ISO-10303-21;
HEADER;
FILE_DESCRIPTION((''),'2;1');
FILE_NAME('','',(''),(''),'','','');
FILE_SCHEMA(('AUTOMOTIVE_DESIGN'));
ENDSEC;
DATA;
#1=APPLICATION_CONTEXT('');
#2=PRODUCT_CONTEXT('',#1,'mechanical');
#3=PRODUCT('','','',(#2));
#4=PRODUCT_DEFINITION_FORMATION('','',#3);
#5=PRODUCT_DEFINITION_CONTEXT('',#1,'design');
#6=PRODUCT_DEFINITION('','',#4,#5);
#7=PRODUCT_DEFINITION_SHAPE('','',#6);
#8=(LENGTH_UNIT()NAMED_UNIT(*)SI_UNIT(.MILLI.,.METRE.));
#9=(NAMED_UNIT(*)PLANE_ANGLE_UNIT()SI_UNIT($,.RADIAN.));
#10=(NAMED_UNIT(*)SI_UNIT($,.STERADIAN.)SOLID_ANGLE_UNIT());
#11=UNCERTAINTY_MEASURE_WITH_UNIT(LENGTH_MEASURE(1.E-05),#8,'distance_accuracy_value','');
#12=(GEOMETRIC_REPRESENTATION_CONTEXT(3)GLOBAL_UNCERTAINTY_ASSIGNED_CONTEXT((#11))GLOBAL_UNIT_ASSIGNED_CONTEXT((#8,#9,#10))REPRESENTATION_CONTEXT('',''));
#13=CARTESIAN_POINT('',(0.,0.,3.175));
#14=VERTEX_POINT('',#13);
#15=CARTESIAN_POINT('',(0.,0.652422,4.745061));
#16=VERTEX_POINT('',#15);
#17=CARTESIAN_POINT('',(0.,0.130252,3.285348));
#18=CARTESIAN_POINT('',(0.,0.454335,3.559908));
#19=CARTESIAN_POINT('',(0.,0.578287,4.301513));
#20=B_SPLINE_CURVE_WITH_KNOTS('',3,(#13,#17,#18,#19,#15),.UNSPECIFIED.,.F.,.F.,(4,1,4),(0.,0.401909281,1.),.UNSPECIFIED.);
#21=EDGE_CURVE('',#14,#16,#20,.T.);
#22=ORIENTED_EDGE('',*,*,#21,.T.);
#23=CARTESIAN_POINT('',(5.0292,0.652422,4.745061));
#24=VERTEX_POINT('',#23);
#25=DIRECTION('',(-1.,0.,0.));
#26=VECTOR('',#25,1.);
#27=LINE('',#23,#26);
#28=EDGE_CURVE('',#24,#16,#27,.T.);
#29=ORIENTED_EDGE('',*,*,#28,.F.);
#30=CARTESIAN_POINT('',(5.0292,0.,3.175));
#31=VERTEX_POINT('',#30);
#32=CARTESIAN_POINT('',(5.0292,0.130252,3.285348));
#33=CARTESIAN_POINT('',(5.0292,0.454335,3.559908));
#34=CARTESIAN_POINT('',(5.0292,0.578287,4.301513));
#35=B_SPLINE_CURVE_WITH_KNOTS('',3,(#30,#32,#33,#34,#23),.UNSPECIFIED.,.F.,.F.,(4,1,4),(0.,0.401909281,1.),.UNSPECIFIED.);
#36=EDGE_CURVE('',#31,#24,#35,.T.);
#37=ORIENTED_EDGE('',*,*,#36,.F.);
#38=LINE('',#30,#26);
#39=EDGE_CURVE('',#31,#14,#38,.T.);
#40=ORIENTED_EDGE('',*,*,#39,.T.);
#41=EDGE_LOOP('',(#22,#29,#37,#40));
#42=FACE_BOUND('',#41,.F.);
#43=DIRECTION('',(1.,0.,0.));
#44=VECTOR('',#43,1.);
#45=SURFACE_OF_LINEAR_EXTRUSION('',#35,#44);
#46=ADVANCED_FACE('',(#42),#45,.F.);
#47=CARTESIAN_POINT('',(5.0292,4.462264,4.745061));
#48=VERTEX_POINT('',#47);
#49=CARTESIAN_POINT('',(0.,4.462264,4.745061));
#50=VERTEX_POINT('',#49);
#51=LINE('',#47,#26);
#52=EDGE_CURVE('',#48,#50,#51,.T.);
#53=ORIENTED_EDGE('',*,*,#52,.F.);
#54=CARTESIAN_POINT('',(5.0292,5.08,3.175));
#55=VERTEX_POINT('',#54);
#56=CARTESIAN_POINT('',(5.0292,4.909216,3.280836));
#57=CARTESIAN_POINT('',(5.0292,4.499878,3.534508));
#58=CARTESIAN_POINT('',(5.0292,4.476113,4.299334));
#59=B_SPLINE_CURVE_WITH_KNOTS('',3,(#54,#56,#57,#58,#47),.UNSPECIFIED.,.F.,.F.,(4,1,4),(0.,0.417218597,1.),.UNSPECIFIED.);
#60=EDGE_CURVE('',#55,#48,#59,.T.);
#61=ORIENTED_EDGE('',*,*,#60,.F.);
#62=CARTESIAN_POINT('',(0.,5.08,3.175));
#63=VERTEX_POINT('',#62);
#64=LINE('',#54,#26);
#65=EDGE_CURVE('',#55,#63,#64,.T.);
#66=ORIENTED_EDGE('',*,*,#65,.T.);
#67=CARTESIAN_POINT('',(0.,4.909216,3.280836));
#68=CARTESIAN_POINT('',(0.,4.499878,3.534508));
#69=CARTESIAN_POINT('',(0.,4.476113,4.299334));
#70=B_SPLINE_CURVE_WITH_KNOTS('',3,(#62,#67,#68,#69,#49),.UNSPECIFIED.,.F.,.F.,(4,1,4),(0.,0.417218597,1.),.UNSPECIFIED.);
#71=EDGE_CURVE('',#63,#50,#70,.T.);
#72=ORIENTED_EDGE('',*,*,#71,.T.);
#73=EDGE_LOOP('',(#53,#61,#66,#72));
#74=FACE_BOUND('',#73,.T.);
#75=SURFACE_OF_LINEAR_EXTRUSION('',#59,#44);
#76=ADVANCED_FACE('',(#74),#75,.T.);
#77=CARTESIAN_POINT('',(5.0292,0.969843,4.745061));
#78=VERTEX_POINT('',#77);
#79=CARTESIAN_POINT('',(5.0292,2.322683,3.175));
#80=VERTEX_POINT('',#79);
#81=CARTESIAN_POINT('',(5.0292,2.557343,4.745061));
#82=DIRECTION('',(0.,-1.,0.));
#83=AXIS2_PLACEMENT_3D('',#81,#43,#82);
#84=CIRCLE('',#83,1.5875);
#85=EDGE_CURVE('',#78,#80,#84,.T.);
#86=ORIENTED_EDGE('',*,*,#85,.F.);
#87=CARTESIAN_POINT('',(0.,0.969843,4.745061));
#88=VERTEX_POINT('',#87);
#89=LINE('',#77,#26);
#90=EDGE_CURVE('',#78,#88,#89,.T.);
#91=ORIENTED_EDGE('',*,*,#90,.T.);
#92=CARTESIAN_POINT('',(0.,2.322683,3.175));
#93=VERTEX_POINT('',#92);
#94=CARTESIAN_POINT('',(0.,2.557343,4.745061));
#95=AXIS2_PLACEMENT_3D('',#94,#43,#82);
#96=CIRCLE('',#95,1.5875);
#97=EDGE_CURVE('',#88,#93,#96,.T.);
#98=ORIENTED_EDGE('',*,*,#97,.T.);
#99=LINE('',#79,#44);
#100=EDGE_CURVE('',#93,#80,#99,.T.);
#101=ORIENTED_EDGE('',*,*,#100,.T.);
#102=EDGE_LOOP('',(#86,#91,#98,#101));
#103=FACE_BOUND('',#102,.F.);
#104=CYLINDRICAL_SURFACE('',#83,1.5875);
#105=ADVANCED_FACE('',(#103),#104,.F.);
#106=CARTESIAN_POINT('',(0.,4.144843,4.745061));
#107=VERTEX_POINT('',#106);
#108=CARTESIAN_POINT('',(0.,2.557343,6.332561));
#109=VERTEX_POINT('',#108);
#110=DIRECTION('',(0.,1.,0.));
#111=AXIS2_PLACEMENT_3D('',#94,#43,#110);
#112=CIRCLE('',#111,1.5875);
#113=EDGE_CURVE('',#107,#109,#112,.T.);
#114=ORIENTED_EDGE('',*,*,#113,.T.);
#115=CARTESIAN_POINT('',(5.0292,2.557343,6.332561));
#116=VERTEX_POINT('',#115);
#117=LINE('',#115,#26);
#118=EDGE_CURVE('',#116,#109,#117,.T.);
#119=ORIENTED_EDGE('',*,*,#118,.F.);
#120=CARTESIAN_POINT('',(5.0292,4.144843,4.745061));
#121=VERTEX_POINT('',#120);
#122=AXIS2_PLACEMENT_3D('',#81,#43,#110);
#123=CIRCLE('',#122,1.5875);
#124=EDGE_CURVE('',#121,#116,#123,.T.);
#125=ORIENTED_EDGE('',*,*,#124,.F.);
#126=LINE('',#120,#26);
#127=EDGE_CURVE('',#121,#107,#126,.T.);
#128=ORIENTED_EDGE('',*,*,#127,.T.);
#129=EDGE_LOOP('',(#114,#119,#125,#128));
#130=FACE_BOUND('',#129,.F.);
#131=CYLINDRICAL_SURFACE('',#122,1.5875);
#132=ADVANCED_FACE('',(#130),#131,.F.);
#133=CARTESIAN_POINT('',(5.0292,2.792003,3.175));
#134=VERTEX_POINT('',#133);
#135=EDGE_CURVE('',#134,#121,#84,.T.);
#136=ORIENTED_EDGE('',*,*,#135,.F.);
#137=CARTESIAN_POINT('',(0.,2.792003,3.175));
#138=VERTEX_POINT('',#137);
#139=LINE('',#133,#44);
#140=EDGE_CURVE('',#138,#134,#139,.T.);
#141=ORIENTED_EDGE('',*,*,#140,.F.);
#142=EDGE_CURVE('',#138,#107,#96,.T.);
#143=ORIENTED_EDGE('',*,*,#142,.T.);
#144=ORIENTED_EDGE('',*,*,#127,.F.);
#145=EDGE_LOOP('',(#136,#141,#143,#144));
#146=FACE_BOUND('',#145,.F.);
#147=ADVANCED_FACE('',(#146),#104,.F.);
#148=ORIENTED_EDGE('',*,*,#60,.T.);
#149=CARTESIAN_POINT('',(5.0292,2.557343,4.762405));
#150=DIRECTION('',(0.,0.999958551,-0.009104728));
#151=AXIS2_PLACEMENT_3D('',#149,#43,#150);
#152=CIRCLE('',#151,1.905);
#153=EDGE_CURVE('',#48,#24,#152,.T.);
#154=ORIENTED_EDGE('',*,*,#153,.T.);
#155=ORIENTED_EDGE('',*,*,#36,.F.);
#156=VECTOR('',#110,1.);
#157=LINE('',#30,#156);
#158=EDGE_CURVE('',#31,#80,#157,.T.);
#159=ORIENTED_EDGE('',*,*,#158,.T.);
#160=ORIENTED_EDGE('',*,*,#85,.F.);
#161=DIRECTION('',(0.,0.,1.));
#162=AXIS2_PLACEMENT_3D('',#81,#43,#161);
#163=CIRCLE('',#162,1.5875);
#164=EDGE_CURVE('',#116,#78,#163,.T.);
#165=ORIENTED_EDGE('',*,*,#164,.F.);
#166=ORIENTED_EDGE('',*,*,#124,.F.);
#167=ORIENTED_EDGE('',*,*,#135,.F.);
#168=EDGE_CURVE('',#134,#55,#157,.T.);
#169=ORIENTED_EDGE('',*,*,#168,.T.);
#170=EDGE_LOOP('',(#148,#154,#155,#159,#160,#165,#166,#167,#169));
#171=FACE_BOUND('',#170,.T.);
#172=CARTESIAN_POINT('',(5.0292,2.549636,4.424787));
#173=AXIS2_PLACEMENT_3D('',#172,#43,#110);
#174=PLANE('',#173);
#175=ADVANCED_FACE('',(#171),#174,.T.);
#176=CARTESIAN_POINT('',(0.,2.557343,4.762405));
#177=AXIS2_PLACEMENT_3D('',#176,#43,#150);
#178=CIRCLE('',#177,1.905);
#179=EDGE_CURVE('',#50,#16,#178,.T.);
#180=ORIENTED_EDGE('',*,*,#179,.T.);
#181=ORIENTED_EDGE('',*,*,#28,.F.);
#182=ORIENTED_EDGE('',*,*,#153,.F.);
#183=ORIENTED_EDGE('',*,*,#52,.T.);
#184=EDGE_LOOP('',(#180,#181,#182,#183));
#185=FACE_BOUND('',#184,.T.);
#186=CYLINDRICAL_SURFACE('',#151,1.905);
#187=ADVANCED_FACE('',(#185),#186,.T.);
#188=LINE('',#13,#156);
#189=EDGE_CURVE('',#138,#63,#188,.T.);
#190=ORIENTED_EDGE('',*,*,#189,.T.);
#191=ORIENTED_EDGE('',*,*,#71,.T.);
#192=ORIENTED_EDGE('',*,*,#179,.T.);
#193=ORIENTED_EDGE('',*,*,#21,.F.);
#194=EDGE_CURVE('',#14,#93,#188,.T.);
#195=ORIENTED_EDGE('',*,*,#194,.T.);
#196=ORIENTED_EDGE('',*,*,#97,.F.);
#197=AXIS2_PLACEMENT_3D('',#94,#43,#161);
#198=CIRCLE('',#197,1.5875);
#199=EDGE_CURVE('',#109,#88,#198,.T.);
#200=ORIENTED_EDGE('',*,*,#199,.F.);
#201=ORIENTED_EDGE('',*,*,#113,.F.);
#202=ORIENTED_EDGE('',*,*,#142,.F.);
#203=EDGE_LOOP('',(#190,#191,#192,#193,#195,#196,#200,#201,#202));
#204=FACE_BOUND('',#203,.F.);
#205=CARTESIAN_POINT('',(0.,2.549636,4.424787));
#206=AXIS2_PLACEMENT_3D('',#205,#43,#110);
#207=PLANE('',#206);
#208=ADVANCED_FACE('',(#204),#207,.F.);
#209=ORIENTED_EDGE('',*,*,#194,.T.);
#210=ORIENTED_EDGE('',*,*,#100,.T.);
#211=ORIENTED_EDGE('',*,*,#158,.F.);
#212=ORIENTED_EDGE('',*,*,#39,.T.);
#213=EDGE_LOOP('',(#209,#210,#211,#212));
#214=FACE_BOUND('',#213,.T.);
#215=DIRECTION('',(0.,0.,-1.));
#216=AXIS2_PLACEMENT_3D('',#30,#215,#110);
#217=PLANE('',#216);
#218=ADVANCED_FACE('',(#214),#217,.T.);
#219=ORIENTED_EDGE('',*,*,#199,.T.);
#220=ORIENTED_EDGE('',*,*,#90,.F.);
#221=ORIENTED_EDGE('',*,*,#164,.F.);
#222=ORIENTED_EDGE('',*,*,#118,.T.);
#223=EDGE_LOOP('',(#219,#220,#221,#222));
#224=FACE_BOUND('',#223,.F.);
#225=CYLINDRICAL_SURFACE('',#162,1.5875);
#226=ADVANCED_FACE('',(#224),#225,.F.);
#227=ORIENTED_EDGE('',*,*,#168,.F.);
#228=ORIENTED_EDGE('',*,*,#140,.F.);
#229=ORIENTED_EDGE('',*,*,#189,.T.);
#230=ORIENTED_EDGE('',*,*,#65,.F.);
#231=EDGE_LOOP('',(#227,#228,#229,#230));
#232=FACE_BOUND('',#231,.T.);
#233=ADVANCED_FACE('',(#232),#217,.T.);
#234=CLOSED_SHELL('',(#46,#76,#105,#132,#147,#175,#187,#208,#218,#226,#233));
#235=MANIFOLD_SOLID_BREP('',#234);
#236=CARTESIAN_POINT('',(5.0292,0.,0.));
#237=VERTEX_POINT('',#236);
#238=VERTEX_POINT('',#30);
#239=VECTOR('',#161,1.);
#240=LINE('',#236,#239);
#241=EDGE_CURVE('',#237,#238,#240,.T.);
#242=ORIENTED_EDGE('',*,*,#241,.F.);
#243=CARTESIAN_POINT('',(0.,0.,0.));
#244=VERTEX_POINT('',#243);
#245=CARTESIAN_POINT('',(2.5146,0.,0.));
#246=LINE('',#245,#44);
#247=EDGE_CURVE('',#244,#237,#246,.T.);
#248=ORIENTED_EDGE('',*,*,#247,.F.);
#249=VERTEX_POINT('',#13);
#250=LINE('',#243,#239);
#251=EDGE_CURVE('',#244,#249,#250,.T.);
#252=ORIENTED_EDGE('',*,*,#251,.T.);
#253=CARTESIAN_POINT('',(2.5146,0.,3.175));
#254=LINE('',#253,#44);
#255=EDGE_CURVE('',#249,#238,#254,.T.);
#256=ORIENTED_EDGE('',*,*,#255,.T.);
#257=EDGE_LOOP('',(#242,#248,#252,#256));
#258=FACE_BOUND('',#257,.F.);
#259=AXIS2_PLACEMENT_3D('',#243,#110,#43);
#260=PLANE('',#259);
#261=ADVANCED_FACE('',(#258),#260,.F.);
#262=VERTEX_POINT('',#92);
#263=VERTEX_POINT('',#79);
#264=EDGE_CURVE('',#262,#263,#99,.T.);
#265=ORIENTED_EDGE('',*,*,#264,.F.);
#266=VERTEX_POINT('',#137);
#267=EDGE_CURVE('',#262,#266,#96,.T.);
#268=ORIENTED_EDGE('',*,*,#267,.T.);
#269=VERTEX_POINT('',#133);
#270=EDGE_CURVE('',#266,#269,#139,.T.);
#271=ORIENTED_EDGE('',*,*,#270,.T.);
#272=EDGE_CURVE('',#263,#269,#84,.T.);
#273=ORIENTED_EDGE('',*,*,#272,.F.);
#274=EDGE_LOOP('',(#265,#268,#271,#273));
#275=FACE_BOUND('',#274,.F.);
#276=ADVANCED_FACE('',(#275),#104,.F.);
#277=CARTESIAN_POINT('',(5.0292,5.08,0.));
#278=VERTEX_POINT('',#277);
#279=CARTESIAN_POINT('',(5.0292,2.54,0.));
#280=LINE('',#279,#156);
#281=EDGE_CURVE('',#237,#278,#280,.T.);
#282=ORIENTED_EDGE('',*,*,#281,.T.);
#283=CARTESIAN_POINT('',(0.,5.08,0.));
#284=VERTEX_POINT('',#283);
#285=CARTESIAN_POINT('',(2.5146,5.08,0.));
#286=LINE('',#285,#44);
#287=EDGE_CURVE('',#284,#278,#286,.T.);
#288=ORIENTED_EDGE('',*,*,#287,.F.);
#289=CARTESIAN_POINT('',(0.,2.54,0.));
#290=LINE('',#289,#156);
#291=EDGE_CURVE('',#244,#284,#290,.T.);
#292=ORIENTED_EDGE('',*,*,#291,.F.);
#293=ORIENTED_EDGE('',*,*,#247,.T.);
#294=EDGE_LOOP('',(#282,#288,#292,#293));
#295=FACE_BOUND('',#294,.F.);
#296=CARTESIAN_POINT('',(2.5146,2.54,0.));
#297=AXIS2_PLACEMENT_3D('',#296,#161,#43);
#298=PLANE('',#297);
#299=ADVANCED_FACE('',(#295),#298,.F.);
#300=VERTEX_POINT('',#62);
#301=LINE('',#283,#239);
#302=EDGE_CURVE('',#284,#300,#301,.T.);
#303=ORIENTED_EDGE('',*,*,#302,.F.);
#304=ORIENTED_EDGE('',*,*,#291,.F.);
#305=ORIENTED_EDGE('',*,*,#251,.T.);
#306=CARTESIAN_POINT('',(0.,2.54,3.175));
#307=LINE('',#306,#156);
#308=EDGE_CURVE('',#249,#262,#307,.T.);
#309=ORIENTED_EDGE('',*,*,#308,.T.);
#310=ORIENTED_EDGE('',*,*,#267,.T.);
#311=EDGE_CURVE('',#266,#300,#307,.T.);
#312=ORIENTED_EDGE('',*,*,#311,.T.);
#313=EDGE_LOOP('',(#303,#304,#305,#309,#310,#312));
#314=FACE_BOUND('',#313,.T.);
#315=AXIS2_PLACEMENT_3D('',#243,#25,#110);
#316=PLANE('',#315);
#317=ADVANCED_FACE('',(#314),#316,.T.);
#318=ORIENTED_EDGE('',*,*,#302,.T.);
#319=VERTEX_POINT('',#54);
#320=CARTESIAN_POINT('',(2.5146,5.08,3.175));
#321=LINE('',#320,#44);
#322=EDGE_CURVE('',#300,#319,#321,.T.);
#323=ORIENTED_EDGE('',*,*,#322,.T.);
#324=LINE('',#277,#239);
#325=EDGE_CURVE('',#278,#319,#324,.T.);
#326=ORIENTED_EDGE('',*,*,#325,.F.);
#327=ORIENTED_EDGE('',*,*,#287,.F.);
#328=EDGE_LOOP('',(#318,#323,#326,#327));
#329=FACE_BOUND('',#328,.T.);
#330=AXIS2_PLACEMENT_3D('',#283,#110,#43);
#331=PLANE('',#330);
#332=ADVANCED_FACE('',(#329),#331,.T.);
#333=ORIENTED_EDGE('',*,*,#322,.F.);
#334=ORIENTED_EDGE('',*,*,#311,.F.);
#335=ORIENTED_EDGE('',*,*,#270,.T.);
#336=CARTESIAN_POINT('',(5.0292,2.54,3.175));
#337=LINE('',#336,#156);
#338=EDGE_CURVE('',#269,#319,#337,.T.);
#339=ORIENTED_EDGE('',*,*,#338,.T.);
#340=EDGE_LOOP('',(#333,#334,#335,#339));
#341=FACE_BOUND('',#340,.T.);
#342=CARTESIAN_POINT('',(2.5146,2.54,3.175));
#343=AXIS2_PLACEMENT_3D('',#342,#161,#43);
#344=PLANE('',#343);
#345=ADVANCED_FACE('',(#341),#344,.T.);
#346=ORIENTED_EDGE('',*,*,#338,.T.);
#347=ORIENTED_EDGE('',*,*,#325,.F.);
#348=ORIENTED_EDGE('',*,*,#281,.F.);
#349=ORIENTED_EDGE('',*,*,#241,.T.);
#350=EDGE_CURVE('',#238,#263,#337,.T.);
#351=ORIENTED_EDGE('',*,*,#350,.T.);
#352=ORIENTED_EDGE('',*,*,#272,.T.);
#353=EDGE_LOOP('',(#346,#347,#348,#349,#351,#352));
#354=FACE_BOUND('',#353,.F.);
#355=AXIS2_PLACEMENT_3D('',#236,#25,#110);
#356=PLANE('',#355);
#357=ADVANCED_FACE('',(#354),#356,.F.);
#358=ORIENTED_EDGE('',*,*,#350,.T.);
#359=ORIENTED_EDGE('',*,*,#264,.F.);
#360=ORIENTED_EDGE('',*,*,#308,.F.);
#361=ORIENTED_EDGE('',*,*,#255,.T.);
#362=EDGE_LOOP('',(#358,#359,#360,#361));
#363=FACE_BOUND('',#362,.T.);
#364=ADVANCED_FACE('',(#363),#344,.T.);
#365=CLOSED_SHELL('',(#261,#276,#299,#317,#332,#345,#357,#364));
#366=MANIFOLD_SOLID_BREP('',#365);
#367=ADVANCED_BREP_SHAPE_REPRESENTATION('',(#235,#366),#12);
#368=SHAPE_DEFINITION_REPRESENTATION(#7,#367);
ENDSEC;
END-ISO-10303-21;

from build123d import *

# Parameters (mm, degrees)
F0_W     = 5.0292
F0_H     = 5.08
F1_DEPTH = 3.175
F3_DEPTH = 5.0292
F5_DEPTH = 5.0292


with BuildPart() as f1:
    # F0 (on Top) → F1 (new body)
    with BuildSketch(Plane.XY):
        with Locations((2.5146, 2.54)):
            Rectangle(F0_W, F0_H)
    extrude(amount=F1_DEPTH)


with BuildPart() as f3:
    # F2 (on face) → F3 (new body)
    with BuildSketch(Plane.YZ.offset(5.0292)):
        with BuildLine():
            add(Edge.make_bspline(
                [(5.08, 3.175), (4.909216309, 3.2808363932), (4.499877674, 3.5345077154), (4.4761133674, 4.2993341407), (4.4622639716, 4.7450607578)],
                knots=[0, 0, 0, 0, 0.4172185971, 1, 1, 1, 1], degree=3))
            ThreePointArc((4.4622639716, 4.7450607578), (2.5573429317, 6.6674052642), (0.6524218918, 4.7450607578))
            add(Edge.make_bspline(
                [(0, 3.175), (0.1302521136, 3.2853480693), (0.4543354823, 3.559907714), (0.5782874001, 4.3015133246), (0.6524218918, 4.7450607578)],
                knots=[0, 0, 0, 0, 0.4019092806, 1, 1, 1, 1], degree=3))
            Line((0, 3.175), (5.08, 3.175))
        make_face()
    extrude(amount=-F3_DEPTH)


with BuildPart() as f5_tool:
    # F4 (on face) → F5 (new body)
    with BuildSketch(Plane.YZ.offset(5.0292)):
        with BuildLine():
            ThreePointArc((4.1448429317, 4.7450607578), (3.6798749468, 5.8675927729), (2.5573429317, 6.3325607578))
            Line((2.5573429317, 6.3325607578), (2.5573429317, 4.7450607578))
            Line((2.5573429317, 4.7450607578), (4.1448429317, 4.7450607578))
        make_face()
        with BuildLine():
            Line((2.5573429317, 4.7450607578), (2.5573429317, 6.3325607578))
            ThreePointArc((2.5573429317, 6.3325607578), (1.4348109166, 5.8675927729), (0.9698429317, 4.7450607578))
            Line((0.9698429317, 4.7450607578), (2.5573429317, 4.7450607578))
        make_face()
        with BuildLine():
            Line((4.1448429317, 4.7450607578), (2.5573429317, 4.7450607578))
            Line((2.5573429317, 4.7450607578), (0.9698429317, 4.7450607578))
            ThreePointArc((0.9698429317, 4.7450607578), (2.5573429317, 3.1575607578), (4.1448429317, 4.7450607578))
        make_face()
    extrude(amount=-F5_DEPTH)


with BuildPart() as f1_1:
    add(f1.part)

    # F5: cut by f5_tool
    add(f5_tool.part, mode=Mode.SUBTRACT)


with BuildPart() as f3_1:
    add(f3.part)

    # F5: cut by f5_tool
    add(f5_tool.part, mode=Mode.SUBTRACT)


solid = Compound([f1_1.part, f3_1.part])
